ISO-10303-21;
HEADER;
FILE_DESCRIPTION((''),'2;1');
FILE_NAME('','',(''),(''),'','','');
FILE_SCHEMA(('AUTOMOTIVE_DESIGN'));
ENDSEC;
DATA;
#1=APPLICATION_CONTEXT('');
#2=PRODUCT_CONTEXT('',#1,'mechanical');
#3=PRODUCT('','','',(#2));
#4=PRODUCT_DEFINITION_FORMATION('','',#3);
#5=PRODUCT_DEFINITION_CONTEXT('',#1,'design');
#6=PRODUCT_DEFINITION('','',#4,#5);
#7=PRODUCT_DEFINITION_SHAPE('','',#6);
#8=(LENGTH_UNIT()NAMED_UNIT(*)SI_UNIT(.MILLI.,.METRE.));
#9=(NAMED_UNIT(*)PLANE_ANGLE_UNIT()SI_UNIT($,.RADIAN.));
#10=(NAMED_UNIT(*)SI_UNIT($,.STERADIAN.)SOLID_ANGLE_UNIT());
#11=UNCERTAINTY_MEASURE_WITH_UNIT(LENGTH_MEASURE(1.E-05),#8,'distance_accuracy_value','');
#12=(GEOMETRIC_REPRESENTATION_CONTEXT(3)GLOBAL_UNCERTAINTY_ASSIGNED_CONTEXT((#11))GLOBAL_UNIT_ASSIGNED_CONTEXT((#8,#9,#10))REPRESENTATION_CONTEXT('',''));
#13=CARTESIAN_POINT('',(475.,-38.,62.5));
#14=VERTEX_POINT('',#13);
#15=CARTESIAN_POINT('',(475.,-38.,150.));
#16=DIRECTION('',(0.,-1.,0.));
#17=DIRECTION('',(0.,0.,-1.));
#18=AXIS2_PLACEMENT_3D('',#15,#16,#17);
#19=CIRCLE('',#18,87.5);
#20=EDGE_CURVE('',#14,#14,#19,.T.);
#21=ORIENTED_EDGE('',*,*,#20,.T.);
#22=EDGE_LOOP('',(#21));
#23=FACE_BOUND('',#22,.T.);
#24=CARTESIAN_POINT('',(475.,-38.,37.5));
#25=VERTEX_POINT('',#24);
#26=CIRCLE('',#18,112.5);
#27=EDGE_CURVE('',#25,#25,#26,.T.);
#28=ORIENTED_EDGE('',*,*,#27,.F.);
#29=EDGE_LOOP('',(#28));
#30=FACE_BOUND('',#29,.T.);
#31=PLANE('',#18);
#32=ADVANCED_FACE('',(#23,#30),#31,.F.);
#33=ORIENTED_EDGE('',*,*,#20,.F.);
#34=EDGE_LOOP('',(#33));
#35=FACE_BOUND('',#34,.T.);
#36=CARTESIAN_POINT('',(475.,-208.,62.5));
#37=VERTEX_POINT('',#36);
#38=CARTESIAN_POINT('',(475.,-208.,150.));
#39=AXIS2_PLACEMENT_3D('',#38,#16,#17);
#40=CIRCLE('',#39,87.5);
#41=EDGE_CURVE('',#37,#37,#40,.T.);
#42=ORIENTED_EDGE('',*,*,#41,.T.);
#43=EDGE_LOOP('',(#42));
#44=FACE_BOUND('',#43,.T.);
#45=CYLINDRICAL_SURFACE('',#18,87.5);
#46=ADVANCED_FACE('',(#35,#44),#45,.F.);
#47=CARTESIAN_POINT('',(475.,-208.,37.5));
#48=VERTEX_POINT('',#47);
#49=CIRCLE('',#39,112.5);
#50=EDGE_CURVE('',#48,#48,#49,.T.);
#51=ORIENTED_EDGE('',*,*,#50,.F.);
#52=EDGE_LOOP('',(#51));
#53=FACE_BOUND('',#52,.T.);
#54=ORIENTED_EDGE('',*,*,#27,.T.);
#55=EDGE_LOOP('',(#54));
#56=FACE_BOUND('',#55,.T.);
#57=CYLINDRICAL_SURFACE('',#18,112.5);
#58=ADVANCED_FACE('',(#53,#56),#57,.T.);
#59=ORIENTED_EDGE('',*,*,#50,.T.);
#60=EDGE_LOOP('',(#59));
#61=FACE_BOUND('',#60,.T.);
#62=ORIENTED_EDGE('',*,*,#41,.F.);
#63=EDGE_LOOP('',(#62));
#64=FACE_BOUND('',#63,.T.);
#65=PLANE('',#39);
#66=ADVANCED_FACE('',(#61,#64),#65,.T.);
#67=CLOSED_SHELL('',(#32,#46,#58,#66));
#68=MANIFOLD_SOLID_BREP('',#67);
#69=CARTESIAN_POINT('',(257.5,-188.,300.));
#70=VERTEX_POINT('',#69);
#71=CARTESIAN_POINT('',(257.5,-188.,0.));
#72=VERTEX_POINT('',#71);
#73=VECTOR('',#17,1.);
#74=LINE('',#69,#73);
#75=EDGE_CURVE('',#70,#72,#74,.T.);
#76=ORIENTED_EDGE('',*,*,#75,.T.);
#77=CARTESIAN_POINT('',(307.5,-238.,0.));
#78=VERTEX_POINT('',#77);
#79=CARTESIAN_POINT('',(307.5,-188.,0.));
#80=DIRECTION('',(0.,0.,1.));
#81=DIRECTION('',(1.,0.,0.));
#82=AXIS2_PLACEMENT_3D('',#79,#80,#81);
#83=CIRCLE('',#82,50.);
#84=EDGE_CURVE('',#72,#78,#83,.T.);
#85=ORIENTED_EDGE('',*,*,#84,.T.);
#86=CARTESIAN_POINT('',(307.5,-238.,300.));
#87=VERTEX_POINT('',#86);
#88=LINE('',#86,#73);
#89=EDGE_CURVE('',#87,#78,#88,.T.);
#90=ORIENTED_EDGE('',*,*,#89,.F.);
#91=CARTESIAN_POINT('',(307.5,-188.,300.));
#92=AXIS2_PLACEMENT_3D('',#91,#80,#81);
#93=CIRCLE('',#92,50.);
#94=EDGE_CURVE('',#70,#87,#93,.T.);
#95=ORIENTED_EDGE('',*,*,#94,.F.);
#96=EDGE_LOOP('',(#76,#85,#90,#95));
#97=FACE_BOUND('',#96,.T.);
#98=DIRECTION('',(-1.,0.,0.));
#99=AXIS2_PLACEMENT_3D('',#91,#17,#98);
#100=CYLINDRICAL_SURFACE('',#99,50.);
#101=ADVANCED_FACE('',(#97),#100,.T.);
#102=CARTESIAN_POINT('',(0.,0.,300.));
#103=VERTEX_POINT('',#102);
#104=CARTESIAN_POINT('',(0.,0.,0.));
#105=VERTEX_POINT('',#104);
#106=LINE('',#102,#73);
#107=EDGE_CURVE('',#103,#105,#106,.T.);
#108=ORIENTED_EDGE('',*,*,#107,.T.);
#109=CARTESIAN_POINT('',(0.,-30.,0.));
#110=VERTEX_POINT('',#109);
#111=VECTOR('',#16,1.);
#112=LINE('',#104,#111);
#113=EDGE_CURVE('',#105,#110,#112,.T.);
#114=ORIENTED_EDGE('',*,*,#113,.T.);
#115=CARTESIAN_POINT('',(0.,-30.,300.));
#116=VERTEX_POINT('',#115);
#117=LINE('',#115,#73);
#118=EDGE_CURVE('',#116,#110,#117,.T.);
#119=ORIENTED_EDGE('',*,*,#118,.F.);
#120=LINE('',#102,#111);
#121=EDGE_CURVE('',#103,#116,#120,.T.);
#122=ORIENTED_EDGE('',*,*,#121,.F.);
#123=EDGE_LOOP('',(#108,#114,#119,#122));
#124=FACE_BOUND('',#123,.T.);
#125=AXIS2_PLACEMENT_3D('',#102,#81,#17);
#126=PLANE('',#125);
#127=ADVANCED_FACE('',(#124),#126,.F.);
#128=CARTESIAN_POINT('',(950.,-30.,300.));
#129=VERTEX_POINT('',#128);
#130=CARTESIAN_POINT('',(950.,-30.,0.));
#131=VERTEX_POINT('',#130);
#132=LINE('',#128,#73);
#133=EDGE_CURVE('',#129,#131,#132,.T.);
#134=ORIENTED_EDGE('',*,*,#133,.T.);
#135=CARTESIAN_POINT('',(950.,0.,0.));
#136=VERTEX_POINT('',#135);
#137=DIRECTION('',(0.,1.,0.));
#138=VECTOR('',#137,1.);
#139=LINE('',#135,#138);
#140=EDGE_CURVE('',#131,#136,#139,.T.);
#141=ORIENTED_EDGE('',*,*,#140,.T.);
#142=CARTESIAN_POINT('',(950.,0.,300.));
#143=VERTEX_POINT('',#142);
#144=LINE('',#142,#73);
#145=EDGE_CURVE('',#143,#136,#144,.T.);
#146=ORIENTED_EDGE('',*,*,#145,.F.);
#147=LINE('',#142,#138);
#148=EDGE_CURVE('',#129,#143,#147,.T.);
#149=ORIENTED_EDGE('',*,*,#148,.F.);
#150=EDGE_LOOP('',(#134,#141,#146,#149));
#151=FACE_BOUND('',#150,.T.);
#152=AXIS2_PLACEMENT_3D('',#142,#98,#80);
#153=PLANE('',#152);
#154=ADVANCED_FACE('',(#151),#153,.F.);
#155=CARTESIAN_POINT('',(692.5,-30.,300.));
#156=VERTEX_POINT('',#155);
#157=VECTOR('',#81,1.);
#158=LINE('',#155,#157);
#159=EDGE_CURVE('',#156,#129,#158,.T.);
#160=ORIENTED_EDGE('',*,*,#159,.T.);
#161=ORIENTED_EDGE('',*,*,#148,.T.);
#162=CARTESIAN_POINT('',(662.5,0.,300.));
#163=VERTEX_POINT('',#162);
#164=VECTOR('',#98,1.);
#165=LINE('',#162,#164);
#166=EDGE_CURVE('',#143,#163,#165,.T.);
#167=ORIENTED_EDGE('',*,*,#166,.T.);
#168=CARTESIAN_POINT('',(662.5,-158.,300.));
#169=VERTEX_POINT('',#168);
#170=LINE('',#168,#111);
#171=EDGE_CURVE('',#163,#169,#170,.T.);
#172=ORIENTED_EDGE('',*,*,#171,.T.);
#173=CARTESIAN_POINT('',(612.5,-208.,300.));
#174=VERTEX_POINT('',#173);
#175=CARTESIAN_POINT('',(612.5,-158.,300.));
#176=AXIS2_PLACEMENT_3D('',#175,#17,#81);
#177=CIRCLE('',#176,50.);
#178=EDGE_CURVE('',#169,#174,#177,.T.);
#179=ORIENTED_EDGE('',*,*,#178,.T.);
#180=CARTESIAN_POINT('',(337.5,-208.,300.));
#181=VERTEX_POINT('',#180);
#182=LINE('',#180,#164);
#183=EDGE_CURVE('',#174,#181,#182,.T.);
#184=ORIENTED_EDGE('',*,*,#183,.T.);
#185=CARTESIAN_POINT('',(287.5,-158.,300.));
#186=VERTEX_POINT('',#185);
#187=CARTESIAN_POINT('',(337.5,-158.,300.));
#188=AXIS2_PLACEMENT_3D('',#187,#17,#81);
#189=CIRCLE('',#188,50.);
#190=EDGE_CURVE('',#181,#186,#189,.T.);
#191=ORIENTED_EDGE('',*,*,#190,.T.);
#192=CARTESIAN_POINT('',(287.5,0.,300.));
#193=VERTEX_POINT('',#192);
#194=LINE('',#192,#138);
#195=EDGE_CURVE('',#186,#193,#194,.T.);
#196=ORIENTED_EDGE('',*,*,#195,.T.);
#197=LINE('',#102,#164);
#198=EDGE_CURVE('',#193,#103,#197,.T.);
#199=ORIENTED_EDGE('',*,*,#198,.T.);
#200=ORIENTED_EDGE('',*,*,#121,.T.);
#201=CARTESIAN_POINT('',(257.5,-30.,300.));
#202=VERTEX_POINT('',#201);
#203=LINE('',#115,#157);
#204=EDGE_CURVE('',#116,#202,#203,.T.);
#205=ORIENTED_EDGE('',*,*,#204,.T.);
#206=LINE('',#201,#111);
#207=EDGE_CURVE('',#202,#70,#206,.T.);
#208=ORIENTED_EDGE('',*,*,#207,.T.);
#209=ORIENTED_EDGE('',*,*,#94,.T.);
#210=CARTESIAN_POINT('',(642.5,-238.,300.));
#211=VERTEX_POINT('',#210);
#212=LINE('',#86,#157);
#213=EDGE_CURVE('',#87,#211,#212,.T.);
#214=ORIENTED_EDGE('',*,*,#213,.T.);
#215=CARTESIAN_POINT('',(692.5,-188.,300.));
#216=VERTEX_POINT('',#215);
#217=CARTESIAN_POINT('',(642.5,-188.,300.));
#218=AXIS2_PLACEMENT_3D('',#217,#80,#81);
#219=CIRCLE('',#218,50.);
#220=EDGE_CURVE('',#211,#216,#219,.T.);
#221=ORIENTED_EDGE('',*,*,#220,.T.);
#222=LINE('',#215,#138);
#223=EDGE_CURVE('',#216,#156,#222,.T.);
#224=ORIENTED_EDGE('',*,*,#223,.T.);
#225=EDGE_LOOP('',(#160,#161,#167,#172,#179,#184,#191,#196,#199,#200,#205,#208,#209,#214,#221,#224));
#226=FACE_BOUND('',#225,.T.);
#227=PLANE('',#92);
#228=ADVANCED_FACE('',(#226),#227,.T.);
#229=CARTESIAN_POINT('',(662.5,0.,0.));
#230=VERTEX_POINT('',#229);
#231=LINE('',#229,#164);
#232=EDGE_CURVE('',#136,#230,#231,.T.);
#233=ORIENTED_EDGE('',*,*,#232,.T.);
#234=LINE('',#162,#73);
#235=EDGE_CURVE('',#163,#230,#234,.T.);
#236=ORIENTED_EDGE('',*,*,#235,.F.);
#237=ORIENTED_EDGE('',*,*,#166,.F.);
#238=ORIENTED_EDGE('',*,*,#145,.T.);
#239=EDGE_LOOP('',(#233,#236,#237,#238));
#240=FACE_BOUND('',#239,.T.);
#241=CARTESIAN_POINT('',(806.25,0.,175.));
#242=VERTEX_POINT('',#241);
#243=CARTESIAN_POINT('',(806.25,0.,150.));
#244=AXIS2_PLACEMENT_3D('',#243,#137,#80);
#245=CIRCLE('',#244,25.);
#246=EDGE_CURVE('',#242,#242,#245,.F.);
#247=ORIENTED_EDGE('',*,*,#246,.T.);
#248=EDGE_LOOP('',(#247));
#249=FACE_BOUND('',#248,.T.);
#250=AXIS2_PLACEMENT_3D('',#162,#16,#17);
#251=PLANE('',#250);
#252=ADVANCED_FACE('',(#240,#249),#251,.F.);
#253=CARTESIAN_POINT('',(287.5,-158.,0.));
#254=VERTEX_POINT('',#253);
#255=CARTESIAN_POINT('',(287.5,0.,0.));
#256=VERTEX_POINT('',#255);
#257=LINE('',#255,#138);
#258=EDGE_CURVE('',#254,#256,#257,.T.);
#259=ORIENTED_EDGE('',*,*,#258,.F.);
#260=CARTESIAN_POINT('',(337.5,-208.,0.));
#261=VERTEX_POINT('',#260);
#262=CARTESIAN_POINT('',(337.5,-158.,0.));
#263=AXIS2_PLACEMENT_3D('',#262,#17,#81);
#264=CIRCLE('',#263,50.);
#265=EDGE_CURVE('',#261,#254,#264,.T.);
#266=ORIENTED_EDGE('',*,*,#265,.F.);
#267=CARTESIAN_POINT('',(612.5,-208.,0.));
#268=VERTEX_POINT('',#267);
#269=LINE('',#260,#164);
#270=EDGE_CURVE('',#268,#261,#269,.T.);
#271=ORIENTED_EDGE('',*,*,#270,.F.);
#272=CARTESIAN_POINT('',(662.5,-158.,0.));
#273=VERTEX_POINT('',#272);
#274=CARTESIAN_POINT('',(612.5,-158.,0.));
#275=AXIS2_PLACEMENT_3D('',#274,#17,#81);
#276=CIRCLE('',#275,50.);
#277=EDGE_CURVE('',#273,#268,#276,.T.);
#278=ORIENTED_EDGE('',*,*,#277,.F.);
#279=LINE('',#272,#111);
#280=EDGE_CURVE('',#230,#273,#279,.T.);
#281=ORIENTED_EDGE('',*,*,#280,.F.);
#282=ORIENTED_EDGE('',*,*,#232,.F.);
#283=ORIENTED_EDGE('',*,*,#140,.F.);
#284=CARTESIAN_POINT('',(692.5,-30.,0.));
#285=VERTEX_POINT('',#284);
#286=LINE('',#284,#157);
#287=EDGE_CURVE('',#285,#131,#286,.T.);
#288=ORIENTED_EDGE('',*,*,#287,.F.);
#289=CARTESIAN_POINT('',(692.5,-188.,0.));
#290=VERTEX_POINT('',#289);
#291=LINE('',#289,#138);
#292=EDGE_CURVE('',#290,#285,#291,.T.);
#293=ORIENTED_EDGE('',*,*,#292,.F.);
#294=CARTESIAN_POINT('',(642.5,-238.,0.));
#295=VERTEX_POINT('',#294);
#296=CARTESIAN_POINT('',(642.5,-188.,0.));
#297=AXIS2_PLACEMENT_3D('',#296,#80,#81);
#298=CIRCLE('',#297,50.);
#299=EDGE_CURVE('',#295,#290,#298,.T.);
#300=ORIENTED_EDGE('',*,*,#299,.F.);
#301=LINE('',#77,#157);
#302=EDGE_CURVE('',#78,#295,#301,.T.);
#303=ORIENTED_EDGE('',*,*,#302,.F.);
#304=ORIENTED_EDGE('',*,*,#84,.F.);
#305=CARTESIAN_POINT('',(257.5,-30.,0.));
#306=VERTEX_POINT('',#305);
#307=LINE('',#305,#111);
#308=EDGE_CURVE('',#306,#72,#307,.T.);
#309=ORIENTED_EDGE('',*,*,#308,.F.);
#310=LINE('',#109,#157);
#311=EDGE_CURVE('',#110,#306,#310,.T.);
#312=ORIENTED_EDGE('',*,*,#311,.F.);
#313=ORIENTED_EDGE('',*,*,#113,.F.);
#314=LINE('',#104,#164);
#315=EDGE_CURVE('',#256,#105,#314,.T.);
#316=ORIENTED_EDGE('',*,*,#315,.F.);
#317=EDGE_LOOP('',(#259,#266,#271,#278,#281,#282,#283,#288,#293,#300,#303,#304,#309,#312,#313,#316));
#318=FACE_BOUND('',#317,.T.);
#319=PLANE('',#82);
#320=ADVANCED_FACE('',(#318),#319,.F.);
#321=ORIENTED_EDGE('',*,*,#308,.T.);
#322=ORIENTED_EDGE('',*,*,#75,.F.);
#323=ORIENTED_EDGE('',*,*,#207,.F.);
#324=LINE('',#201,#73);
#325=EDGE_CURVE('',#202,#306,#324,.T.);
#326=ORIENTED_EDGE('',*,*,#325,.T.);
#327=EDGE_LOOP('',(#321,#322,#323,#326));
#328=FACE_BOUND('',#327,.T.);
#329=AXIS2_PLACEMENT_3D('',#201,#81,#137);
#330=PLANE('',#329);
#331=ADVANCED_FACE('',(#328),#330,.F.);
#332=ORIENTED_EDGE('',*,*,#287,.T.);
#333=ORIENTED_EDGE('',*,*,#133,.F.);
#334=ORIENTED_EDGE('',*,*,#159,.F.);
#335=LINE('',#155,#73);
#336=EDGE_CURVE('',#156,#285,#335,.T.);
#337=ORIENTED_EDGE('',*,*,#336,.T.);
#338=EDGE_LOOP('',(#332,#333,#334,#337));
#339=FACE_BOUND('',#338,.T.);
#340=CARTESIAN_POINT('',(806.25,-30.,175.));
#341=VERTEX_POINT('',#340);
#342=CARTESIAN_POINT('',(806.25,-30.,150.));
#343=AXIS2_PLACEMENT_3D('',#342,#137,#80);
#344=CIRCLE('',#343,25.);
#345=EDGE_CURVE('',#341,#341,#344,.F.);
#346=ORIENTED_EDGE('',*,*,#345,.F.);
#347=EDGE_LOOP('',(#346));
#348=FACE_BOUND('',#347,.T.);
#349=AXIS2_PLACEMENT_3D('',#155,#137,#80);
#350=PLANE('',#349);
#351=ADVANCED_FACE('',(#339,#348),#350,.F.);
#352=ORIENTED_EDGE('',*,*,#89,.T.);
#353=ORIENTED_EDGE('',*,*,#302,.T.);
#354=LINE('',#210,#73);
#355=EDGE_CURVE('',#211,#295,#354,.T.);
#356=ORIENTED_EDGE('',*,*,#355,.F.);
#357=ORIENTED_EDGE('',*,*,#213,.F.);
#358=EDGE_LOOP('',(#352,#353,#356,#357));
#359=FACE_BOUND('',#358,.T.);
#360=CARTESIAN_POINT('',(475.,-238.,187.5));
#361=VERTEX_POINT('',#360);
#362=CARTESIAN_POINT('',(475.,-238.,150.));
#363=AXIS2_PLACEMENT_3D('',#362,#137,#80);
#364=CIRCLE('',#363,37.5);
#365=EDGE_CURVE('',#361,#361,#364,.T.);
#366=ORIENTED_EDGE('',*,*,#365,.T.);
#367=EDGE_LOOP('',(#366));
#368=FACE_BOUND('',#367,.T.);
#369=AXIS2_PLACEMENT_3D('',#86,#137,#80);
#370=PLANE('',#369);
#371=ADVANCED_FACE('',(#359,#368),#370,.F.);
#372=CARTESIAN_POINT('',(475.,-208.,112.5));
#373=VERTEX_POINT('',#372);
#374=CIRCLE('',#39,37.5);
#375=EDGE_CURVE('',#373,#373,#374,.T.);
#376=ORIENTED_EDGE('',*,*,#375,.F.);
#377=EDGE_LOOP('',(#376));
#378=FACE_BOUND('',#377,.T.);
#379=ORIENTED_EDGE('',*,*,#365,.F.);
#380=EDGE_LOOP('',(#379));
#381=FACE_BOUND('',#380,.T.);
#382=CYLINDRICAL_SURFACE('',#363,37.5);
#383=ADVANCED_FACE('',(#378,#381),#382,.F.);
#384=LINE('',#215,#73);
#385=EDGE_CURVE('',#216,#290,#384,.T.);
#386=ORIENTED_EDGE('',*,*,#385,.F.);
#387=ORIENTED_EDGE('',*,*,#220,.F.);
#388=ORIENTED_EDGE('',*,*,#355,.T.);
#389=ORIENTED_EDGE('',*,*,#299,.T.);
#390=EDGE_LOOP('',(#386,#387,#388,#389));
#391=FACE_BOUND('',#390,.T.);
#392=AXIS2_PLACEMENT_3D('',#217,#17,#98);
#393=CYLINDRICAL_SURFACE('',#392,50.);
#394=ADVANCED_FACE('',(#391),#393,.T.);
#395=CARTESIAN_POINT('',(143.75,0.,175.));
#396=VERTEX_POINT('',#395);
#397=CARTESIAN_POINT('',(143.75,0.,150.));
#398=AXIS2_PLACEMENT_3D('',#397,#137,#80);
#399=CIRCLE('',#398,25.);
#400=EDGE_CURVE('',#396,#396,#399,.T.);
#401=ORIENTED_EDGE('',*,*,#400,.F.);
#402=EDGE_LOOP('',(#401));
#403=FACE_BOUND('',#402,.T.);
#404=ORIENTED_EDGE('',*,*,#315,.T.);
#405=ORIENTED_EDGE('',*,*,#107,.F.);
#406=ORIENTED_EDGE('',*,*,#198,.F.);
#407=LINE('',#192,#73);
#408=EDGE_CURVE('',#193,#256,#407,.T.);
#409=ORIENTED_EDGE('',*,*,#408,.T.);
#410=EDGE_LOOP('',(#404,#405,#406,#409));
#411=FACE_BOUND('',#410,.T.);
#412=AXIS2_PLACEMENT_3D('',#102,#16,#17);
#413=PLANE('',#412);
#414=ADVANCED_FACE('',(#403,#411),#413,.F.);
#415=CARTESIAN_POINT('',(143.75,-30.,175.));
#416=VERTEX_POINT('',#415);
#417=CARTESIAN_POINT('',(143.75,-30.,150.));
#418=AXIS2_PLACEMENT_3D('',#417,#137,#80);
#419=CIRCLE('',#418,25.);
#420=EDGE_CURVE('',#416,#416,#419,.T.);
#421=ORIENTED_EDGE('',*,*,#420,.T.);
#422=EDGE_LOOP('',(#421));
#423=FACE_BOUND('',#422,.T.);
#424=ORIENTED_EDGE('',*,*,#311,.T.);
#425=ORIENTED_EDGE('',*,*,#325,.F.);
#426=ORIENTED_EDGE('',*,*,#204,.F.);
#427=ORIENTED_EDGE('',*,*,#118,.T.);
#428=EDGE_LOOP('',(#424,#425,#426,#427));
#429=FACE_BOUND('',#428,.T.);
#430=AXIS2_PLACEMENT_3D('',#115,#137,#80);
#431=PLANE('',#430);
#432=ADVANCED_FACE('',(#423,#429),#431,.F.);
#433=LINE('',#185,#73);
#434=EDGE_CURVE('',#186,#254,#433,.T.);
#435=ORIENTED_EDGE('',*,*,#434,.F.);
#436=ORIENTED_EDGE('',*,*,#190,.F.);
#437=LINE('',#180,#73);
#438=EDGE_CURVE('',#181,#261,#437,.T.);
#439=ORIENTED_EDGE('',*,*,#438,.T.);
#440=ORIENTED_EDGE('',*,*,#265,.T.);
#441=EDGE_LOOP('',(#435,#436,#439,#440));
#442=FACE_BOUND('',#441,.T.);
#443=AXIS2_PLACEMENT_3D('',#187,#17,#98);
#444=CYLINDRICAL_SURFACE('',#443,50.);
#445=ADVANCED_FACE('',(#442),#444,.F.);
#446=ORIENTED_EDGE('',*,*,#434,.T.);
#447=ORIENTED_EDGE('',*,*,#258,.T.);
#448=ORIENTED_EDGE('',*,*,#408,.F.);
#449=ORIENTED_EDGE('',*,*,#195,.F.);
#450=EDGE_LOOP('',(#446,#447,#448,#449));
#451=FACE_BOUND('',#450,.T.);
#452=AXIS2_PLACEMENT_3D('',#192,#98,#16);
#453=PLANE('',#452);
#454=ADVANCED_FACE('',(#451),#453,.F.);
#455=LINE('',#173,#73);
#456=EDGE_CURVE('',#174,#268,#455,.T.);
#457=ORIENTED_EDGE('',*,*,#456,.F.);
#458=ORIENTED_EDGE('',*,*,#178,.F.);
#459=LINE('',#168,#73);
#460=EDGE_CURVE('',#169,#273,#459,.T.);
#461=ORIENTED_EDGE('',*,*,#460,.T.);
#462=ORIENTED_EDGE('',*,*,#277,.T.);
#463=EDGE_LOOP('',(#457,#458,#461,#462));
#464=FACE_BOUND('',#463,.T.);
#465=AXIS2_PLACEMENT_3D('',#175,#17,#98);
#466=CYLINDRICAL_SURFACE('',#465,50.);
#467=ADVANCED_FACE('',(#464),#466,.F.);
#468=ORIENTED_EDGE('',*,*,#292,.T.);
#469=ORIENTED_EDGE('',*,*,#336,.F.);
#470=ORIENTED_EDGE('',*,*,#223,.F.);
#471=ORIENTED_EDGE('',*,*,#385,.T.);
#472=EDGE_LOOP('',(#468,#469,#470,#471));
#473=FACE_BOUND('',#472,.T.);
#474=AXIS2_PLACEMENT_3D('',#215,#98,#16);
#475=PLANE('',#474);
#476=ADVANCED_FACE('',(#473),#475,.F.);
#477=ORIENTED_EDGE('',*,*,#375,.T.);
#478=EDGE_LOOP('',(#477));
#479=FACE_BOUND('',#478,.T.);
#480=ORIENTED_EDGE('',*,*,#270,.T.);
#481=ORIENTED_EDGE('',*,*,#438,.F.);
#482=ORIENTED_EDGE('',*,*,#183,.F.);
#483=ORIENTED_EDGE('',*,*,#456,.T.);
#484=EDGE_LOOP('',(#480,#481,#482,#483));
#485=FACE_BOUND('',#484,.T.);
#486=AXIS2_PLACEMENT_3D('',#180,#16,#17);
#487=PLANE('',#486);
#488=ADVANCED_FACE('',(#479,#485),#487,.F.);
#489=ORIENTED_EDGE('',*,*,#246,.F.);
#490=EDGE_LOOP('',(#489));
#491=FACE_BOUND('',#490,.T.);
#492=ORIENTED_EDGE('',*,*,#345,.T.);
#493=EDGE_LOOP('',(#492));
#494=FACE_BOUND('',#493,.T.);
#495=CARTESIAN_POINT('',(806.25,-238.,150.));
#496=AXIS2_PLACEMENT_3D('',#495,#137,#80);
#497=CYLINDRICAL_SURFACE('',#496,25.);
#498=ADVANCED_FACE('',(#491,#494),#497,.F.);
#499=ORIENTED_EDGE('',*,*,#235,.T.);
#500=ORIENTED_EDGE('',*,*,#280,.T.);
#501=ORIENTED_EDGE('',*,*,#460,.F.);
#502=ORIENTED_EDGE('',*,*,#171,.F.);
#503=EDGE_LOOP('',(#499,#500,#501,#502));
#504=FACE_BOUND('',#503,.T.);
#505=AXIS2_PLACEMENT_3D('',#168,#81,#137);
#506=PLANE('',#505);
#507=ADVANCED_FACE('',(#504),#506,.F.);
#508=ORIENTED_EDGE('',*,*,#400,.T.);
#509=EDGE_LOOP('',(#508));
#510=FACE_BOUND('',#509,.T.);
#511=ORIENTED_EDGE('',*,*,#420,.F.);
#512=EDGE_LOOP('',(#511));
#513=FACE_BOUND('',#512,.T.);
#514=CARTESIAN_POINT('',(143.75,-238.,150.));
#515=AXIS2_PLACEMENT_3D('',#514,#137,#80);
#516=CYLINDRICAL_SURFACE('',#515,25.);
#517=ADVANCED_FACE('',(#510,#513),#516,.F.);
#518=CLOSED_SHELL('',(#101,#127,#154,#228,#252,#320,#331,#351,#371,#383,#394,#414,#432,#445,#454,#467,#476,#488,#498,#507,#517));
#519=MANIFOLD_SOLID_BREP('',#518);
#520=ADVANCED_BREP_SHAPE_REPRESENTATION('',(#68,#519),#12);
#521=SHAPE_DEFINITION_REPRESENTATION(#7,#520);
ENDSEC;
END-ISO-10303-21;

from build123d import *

# Parameters (mm, degrees)
BOSS_EXTRUDE1_DEPTH = 300
SKETCH3_R           = 25
CUT_EXTRUDE1_DEPTH  = 1025.277306202
BOSS_EXTRUDE2_START = -208
SKETCH3_3_R         = 112.5
SKETCH3_3_R_2       = 87.5
BOSS_EXTRUDE2_DEPTH = 170
SKETCH3_6_R         = 37.5
CUT_EXTRUDE2_DEPTH  = 1025.277306202


with BuildPart() as part:
    # Sketch1 → Boss-Extrude1 (new body)
    with BuildSketch(Plane.XY):
        with BuildLine():
            Line((0, 0), (287.5, 0))
            Line((287.5, 0), (287.5, -158))
            ThreePointArc((287.5, -158), (302.144660941, -193.355339059), (337.5, -208))
            Line((337.5, -208), (612.5, -208))
            ThreePointArc((612.5, -208), (647.855339059, -193.355339059), (662.5, -158))
            Line((662.5, -158), (662.5, 0))
            Line((662.5, 0), (950, 0))
            Line((950, 0), (950, -30))
            Line((950, -30), (692.5, -30))
            Line((692.5, -30), (692.5, -188))
            ThreePointArc((692.5, -188), (677.855339059, -223.355339059), (642.5, -238))
            Line((642.5, -238), (307.5, -238))
            ThreePointArc((307.5, -238), (272.144660941, -223.355339059), (257.5, -188))
            Line((257.5, -188), (257.5, -30))
            Line((257.5, -30), (0, -30))
            Line((0, -30), (0, 0))
        make_face()
    extrude(amount=BOSS_EXTRUDE1_DEPTH)

    # Sketch3 → Cut-Extrude1 (cut, through all)
    with BuildSketch(Plane(origin=(0, 0, 0), x_dir=(1, 0, 0), z_dir=(0, 1, 0))):
        with Locations(Location((143.75, -150, 0), (0, 0, 270))):
            Circle(SKETCH3_R)
        with Locations(Location((806.25, -150, 0), (0, 0, 270))):
            Circle(SKETCH3_R)
    extrude(amount=-CUT_EXTRUDE1_DEPTH, mode=Mode.SUBTRACT)

    # Sketch3<6> → Cut-Extrude2 (cut, through all)
    with BuildSketch(Plane(origin=(0, 0, 0), x_dir=(1, 0, 0), z_dir=(0, 1, 0))):
        with Locations(Location((475, -150, 0), (0, 0, 270))):
            Circle(SKETCH3_6_R)
    extrude(amount=-CUT_EXTRUDE2_DEPTH, mode=Mode.SUBTRACT)


with BuildPart() as body_2:
    # Sketch3<3> → Boss-Extrude2 (new body)
    with BuildSketch(Plane(origin=(0, 0, 0), x_dir=(1, 0, 0), z_dir=(0, 1, 0)).offset(BOSS_EXTRUDE2_START)):
        with Locations(Location((475, -150, 0), (0, 0, 90))):
            Circle(SKETCH3_3_R)
        with Locations(Location((475, -150, 0), (0, 0, 90))):
            Circle(SKETCH3_3_R_2, mode=Mode.SUBTRACT)
    extrude(amount=BOSS_EXTRUDE2_DEPTH)


solid = Compound([part.part, body_2.part])
